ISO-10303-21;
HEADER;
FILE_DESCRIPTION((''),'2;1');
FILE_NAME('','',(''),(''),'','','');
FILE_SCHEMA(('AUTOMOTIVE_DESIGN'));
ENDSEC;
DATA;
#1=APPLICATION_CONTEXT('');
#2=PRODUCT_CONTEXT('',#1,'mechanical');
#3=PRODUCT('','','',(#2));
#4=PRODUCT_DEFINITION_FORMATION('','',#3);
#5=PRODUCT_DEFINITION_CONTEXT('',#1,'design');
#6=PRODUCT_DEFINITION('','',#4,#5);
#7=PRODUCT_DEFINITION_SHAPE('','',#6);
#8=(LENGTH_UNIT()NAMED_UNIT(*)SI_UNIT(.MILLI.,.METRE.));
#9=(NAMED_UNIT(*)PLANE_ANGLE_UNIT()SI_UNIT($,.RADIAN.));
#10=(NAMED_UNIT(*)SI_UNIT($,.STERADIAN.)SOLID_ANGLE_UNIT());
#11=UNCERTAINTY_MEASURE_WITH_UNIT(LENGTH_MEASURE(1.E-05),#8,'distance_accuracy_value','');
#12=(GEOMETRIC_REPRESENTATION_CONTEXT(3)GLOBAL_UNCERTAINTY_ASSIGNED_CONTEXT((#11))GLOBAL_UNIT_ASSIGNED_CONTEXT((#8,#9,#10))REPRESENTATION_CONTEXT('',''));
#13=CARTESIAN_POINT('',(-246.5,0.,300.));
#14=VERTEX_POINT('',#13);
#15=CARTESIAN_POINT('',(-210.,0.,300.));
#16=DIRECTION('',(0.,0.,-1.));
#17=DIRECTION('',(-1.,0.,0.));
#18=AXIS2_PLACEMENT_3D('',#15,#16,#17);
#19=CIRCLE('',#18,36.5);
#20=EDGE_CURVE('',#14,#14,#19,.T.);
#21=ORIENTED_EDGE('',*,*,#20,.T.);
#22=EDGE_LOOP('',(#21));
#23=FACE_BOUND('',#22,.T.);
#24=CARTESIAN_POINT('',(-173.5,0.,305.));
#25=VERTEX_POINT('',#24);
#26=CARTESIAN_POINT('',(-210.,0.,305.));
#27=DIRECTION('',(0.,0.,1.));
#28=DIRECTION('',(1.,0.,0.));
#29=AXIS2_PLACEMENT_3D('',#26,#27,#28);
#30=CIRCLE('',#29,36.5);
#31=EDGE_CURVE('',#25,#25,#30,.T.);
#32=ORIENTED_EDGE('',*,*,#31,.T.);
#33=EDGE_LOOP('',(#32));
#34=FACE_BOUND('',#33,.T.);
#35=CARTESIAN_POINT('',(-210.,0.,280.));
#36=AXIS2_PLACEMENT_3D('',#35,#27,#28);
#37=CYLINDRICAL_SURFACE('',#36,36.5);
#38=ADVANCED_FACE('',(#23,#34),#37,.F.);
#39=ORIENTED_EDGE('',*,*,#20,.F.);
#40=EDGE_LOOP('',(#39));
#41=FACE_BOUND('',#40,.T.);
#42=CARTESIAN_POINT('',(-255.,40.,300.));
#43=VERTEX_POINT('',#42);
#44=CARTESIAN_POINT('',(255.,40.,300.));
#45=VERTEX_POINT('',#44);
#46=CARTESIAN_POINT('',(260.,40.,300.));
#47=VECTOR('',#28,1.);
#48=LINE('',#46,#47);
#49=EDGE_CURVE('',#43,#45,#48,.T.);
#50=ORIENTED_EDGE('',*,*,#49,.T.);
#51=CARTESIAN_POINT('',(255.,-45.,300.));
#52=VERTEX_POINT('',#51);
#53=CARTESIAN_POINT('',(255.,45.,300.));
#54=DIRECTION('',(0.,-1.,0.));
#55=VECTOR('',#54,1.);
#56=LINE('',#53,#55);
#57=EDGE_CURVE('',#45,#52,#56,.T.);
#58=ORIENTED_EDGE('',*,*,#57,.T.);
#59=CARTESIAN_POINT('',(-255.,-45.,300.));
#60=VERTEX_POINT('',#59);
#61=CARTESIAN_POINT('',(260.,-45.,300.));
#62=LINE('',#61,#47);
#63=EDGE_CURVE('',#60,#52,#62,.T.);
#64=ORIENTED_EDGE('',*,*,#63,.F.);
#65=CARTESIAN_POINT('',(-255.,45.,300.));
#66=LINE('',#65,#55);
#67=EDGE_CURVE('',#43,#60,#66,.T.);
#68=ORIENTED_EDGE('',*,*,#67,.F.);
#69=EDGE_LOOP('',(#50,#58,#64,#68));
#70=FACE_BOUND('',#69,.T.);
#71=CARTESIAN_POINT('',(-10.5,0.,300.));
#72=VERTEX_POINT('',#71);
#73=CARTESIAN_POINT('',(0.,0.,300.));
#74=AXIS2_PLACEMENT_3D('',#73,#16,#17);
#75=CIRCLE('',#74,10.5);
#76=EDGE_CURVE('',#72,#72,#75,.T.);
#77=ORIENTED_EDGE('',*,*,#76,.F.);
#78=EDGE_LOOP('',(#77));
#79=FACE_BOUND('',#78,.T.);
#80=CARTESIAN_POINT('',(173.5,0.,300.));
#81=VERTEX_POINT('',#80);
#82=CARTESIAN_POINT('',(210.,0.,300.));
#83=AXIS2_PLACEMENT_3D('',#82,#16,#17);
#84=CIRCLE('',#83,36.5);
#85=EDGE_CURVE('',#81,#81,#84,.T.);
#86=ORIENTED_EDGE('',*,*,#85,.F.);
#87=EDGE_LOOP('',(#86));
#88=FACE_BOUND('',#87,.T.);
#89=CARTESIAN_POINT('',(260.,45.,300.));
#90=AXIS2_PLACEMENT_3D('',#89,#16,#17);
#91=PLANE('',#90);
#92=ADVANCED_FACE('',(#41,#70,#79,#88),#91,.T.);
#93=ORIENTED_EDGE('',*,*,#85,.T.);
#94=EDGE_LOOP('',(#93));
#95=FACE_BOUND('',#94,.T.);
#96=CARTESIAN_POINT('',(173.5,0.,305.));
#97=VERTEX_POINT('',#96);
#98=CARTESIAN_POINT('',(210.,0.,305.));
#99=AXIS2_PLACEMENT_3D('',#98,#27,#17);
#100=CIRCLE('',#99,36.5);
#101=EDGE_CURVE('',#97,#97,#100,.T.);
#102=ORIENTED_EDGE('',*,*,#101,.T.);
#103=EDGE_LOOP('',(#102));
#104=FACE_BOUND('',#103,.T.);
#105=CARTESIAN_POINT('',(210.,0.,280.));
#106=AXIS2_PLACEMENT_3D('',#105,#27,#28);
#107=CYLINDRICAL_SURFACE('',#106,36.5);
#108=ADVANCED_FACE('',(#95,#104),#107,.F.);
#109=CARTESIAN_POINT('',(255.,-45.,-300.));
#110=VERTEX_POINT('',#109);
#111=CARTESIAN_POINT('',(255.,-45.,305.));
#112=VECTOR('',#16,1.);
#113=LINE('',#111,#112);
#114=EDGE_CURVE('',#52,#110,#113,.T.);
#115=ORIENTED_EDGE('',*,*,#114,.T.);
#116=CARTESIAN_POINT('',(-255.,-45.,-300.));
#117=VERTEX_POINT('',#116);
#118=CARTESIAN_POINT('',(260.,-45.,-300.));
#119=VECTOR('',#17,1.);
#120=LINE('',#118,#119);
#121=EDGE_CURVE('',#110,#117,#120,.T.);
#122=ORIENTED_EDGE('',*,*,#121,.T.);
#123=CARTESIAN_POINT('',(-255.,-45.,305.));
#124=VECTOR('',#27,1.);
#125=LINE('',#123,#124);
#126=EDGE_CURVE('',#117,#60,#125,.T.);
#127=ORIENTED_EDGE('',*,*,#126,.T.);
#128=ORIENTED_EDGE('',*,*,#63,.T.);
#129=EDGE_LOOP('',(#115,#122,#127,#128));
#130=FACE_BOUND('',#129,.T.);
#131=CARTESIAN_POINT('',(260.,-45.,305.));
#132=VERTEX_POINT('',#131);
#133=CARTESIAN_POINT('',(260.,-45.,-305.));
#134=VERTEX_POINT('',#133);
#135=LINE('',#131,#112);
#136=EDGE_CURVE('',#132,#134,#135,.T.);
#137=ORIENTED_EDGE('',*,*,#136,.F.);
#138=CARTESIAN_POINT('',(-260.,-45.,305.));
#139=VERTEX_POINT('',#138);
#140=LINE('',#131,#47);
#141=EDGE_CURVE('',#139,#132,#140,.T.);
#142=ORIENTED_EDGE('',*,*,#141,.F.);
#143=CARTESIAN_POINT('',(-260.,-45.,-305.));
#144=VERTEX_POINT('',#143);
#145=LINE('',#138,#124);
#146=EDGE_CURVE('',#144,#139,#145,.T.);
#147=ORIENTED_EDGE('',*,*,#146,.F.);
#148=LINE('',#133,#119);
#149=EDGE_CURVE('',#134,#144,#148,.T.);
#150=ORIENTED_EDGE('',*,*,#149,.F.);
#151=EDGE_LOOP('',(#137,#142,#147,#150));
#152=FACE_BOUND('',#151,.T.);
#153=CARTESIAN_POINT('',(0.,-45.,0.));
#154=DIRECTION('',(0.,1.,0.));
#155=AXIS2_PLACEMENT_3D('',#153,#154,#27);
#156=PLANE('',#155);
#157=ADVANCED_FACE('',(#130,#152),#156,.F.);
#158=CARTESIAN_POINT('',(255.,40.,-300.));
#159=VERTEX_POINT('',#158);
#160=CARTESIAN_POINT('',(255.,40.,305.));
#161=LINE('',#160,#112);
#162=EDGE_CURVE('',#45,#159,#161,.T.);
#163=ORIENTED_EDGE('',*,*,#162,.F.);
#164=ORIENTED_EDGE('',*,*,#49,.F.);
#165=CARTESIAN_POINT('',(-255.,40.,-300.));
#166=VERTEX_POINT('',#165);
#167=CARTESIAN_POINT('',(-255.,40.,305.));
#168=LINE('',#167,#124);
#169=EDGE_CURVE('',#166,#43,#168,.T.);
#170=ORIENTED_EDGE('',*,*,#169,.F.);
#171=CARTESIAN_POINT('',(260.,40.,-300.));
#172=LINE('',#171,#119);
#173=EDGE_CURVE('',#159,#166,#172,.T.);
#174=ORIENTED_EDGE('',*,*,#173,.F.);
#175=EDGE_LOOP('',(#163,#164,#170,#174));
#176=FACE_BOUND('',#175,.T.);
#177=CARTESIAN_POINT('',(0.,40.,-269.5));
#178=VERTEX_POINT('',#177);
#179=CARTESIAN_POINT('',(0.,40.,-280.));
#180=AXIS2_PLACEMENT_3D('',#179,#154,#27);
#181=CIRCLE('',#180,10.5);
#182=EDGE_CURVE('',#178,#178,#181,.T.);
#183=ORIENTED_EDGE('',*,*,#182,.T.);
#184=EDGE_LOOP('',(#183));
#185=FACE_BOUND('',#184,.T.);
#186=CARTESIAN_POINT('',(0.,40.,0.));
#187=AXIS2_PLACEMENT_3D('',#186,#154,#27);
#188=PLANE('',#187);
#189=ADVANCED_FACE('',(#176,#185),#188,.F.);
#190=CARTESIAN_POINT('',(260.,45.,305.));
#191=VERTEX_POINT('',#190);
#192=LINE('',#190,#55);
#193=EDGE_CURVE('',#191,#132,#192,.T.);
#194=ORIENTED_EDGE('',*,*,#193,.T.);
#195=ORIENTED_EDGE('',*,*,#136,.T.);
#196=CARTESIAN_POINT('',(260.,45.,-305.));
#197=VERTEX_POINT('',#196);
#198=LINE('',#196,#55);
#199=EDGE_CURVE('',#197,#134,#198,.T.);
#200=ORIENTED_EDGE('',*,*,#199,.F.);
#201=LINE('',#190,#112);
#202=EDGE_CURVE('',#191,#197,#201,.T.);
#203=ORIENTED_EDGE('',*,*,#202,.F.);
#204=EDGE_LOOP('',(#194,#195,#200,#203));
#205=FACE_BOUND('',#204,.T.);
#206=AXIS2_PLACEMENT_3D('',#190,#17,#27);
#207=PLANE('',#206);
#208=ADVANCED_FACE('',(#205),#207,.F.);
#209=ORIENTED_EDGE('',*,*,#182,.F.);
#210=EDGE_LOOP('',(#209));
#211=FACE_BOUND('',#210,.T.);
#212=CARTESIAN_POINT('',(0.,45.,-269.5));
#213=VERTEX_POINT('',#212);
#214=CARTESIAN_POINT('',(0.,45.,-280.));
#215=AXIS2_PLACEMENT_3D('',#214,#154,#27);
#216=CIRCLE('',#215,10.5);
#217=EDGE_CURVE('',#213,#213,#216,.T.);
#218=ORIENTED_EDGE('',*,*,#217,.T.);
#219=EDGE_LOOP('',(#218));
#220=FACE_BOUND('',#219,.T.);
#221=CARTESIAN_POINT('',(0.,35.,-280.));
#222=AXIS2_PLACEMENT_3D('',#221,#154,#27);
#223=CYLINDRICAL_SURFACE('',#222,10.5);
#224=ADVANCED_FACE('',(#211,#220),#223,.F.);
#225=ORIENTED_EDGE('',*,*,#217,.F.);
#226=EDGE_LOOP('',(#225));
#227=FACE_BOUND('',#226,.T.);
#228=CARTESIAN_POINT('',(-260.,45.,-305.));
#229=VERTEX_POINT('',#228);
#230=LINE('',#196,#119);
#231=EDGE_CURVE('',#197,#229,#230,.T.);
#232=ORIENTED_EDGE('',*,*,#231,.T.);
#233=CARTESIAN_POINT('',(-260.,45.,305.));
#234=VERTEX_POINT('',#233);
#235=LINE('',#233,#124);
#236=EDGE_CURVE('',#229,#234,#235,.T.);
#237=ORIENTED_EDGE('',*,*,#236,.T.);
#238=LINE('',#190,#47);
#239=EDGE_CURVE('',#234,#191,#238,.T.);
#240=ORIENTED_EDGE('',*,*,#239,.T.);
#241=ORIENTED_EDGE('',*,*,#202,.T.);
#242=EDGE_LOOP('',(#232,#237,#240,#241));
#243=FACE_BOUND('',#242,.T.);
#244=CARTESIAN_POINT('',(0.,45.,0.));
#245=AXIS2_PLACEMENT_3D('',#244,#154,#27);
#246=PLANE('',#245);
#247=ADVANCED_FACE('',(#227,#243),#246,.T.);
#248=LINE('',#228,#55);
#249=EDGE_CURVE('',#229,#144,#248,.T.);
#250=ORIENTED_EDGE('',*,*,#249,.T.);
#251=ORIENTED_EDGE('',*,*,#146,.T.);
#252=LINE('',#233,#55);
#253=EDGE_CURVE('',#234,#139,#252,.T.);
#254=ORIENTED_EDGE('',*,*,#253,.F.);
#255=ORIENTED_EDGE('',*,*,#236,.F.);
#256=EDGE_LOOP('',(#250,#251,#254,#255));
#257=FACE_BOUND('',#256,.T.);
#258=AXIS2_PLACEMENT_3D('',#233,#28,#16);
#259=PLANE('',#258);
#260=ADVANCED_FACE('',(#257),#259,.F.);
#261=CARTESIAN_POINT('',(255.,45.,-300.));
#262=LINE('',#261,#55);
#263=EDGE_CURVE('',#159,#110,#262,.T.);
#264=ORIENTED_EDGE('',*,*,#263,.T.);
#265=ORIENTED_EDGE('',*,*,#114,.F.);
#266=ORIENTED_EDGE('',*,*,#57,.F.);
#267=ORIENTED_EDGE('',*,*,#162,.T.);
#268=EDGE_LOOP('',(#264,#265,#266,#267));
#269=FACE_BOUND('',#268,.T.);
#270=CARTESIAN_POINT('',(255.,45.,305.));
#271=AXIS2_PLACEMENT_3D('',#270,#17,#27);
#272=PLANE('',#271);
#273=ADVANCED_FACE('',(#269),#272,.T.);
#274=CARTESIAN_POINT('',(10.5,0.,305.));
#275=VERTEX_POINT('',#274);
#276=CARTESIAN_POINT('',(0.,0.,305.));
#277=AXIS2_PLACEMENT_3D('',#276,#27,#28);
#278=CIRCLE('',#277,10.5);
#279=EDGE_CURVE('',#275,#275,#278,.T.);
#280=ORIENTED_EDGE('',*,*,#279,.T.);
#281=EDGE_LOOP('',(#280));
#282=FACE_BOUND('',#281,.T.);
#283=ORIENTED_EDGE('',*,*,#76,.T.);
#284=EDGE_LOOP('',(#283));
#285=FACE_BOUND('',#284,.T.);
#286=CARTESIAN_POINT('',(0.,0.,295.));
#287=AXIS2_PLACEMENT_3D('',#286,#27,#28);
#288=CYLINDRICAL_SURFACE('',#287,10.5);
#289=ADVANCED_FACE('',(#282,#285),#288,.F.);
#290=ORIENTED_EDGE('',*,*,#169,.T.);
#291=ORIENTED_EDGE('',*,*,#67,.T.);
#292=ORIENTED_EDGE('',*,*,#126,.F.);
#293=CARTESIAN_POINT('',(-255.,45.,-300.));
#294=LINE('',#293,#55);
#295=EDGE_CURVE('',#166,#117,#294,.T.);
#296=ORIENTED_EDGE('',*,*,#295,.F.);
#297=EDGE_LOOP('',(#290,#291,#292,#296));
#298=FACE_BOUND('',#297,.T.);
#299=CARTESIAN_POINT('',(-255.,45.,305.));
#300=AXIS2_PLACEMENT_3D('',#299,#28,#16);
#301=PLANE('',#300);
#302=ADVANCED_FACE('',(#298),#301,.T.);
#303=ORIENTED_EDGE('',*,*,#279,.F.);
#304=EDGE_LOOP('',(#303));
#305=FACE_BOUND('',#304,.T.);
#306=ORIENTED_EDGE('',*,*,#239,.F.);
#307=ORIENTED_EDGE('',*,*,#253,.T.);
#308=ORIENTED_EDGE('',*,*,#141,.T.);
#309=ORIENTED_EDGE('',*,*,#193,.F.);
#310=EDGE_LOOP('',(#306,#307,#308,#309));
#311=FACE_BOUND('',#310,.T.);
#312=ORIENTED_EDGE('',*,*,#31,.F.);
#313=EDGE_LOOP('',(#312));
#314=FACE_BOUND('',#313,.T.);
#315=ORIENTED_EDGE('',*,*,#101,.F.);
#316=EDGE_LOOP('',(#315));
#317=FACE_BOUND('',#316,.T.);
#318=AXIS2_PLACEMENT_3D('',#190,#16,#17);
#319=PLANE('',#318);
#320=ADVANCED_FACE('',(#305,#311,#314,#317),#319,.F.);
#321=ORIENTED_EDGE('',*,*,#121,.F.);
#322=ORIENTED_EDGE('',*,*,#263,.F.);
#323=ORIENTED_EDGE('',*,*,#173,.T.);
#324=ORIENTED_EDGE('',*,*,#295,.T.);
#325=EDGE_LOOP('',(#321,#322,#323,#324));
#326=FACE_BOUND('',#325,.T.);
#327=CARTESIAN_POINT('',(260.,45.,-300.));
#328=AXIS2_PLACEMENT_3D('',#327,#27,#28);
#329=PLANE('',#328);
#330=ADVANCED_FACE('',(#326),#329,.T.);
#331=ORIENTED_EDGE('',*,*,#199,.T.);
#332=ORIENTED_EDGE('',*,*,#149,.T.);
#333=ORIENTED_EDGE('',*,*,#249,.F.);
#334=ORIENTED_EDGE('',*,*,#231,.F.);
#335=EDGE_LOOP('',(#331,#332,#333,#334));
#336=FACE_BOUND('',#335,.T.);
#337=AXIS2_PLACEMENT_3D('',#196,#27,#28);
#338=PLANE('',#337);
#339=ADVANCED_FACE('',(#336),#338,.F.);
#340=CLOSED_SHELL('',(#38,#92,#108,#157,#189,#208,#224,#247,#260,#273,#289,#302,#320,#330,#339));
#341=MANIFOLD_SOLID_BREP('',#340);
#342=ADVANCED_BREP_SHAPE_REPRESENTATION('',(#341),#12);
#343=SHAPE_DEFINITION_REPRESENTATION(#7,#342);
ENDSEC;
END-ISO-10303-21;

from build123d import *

# Parameters (mm, degrees)
SKETCH1_W           = 520
SKETCH1_H           = 610
BOSS_EXTRUDE1_DEPTH = 45
SHELL1_T            = -5
SKETCH4_R           = 10.5
CUT_EXTRUDE2_DEPTH  = 10
SKETCH5_R           = 10.5
CUT_EXTRUDE3_DEPTH  = 10
SKETCH3_R           = 36.5
CUT_EXTRUDE4_DEPTH  = 25


with BuildPart() as part:
    # Sketch1 → Boss-Extrude1 (new, symmetric)
    with BuildSketch(Plane(origin=(0, 0, 0), x_dir=(1, 0, 0), z_dir=(0, 1, 0))):
        Rectangle(SKETCH1_W, SKETCH1_H)
    extrude(amount=BOSS_EXTRUDE1_DEPTH, both=True)

    # Shell1
    shell1_openings = [part.faces().sort_by_distance(p)[0] for p in [
        (0, -45, 0),
    ]]
    offset(amount=SHELL1_T, openings=shell1_openings, kind=Kind.INTERSECTION)

    # Sketch4 → Cut-Extrude2 (cut)
    with BuildSketch(Plane(origin=(0, 45, 0), x_dir=(1, 0, 0), z_dir=(0, 1, 0))):
        with Locations((0, 280)):
            Circle(SKETCH4_R)
    extrude(amount=-CUT_EXTRUDE2_DEPTH, mode=Mode.SUBTRACT)

    # Sketch5 → Cut-Extrude3 (cut)
    with BuildSketch(Plane.XY.offset(305)):
        Circle(SKETCH5_R)
    extrude(amount=-CUT_EXTRUDE3_DEPTH, mode=Mode.SUBTRACT)

    # Sketch3 → Cut-Extrude4 (cut)
    with BuildSketch(Plane.XY.offset(305)):
        with Locations((-210, 0)):
            Circle(SKETCH3_R)
        with Locations((210, 0)):
            Circle(SKETCH3_R)
    extrude(amount=-CUT_EXTRUDE4_DEPTH, mode=Mode.SUBTRACT)


solid = part.part
